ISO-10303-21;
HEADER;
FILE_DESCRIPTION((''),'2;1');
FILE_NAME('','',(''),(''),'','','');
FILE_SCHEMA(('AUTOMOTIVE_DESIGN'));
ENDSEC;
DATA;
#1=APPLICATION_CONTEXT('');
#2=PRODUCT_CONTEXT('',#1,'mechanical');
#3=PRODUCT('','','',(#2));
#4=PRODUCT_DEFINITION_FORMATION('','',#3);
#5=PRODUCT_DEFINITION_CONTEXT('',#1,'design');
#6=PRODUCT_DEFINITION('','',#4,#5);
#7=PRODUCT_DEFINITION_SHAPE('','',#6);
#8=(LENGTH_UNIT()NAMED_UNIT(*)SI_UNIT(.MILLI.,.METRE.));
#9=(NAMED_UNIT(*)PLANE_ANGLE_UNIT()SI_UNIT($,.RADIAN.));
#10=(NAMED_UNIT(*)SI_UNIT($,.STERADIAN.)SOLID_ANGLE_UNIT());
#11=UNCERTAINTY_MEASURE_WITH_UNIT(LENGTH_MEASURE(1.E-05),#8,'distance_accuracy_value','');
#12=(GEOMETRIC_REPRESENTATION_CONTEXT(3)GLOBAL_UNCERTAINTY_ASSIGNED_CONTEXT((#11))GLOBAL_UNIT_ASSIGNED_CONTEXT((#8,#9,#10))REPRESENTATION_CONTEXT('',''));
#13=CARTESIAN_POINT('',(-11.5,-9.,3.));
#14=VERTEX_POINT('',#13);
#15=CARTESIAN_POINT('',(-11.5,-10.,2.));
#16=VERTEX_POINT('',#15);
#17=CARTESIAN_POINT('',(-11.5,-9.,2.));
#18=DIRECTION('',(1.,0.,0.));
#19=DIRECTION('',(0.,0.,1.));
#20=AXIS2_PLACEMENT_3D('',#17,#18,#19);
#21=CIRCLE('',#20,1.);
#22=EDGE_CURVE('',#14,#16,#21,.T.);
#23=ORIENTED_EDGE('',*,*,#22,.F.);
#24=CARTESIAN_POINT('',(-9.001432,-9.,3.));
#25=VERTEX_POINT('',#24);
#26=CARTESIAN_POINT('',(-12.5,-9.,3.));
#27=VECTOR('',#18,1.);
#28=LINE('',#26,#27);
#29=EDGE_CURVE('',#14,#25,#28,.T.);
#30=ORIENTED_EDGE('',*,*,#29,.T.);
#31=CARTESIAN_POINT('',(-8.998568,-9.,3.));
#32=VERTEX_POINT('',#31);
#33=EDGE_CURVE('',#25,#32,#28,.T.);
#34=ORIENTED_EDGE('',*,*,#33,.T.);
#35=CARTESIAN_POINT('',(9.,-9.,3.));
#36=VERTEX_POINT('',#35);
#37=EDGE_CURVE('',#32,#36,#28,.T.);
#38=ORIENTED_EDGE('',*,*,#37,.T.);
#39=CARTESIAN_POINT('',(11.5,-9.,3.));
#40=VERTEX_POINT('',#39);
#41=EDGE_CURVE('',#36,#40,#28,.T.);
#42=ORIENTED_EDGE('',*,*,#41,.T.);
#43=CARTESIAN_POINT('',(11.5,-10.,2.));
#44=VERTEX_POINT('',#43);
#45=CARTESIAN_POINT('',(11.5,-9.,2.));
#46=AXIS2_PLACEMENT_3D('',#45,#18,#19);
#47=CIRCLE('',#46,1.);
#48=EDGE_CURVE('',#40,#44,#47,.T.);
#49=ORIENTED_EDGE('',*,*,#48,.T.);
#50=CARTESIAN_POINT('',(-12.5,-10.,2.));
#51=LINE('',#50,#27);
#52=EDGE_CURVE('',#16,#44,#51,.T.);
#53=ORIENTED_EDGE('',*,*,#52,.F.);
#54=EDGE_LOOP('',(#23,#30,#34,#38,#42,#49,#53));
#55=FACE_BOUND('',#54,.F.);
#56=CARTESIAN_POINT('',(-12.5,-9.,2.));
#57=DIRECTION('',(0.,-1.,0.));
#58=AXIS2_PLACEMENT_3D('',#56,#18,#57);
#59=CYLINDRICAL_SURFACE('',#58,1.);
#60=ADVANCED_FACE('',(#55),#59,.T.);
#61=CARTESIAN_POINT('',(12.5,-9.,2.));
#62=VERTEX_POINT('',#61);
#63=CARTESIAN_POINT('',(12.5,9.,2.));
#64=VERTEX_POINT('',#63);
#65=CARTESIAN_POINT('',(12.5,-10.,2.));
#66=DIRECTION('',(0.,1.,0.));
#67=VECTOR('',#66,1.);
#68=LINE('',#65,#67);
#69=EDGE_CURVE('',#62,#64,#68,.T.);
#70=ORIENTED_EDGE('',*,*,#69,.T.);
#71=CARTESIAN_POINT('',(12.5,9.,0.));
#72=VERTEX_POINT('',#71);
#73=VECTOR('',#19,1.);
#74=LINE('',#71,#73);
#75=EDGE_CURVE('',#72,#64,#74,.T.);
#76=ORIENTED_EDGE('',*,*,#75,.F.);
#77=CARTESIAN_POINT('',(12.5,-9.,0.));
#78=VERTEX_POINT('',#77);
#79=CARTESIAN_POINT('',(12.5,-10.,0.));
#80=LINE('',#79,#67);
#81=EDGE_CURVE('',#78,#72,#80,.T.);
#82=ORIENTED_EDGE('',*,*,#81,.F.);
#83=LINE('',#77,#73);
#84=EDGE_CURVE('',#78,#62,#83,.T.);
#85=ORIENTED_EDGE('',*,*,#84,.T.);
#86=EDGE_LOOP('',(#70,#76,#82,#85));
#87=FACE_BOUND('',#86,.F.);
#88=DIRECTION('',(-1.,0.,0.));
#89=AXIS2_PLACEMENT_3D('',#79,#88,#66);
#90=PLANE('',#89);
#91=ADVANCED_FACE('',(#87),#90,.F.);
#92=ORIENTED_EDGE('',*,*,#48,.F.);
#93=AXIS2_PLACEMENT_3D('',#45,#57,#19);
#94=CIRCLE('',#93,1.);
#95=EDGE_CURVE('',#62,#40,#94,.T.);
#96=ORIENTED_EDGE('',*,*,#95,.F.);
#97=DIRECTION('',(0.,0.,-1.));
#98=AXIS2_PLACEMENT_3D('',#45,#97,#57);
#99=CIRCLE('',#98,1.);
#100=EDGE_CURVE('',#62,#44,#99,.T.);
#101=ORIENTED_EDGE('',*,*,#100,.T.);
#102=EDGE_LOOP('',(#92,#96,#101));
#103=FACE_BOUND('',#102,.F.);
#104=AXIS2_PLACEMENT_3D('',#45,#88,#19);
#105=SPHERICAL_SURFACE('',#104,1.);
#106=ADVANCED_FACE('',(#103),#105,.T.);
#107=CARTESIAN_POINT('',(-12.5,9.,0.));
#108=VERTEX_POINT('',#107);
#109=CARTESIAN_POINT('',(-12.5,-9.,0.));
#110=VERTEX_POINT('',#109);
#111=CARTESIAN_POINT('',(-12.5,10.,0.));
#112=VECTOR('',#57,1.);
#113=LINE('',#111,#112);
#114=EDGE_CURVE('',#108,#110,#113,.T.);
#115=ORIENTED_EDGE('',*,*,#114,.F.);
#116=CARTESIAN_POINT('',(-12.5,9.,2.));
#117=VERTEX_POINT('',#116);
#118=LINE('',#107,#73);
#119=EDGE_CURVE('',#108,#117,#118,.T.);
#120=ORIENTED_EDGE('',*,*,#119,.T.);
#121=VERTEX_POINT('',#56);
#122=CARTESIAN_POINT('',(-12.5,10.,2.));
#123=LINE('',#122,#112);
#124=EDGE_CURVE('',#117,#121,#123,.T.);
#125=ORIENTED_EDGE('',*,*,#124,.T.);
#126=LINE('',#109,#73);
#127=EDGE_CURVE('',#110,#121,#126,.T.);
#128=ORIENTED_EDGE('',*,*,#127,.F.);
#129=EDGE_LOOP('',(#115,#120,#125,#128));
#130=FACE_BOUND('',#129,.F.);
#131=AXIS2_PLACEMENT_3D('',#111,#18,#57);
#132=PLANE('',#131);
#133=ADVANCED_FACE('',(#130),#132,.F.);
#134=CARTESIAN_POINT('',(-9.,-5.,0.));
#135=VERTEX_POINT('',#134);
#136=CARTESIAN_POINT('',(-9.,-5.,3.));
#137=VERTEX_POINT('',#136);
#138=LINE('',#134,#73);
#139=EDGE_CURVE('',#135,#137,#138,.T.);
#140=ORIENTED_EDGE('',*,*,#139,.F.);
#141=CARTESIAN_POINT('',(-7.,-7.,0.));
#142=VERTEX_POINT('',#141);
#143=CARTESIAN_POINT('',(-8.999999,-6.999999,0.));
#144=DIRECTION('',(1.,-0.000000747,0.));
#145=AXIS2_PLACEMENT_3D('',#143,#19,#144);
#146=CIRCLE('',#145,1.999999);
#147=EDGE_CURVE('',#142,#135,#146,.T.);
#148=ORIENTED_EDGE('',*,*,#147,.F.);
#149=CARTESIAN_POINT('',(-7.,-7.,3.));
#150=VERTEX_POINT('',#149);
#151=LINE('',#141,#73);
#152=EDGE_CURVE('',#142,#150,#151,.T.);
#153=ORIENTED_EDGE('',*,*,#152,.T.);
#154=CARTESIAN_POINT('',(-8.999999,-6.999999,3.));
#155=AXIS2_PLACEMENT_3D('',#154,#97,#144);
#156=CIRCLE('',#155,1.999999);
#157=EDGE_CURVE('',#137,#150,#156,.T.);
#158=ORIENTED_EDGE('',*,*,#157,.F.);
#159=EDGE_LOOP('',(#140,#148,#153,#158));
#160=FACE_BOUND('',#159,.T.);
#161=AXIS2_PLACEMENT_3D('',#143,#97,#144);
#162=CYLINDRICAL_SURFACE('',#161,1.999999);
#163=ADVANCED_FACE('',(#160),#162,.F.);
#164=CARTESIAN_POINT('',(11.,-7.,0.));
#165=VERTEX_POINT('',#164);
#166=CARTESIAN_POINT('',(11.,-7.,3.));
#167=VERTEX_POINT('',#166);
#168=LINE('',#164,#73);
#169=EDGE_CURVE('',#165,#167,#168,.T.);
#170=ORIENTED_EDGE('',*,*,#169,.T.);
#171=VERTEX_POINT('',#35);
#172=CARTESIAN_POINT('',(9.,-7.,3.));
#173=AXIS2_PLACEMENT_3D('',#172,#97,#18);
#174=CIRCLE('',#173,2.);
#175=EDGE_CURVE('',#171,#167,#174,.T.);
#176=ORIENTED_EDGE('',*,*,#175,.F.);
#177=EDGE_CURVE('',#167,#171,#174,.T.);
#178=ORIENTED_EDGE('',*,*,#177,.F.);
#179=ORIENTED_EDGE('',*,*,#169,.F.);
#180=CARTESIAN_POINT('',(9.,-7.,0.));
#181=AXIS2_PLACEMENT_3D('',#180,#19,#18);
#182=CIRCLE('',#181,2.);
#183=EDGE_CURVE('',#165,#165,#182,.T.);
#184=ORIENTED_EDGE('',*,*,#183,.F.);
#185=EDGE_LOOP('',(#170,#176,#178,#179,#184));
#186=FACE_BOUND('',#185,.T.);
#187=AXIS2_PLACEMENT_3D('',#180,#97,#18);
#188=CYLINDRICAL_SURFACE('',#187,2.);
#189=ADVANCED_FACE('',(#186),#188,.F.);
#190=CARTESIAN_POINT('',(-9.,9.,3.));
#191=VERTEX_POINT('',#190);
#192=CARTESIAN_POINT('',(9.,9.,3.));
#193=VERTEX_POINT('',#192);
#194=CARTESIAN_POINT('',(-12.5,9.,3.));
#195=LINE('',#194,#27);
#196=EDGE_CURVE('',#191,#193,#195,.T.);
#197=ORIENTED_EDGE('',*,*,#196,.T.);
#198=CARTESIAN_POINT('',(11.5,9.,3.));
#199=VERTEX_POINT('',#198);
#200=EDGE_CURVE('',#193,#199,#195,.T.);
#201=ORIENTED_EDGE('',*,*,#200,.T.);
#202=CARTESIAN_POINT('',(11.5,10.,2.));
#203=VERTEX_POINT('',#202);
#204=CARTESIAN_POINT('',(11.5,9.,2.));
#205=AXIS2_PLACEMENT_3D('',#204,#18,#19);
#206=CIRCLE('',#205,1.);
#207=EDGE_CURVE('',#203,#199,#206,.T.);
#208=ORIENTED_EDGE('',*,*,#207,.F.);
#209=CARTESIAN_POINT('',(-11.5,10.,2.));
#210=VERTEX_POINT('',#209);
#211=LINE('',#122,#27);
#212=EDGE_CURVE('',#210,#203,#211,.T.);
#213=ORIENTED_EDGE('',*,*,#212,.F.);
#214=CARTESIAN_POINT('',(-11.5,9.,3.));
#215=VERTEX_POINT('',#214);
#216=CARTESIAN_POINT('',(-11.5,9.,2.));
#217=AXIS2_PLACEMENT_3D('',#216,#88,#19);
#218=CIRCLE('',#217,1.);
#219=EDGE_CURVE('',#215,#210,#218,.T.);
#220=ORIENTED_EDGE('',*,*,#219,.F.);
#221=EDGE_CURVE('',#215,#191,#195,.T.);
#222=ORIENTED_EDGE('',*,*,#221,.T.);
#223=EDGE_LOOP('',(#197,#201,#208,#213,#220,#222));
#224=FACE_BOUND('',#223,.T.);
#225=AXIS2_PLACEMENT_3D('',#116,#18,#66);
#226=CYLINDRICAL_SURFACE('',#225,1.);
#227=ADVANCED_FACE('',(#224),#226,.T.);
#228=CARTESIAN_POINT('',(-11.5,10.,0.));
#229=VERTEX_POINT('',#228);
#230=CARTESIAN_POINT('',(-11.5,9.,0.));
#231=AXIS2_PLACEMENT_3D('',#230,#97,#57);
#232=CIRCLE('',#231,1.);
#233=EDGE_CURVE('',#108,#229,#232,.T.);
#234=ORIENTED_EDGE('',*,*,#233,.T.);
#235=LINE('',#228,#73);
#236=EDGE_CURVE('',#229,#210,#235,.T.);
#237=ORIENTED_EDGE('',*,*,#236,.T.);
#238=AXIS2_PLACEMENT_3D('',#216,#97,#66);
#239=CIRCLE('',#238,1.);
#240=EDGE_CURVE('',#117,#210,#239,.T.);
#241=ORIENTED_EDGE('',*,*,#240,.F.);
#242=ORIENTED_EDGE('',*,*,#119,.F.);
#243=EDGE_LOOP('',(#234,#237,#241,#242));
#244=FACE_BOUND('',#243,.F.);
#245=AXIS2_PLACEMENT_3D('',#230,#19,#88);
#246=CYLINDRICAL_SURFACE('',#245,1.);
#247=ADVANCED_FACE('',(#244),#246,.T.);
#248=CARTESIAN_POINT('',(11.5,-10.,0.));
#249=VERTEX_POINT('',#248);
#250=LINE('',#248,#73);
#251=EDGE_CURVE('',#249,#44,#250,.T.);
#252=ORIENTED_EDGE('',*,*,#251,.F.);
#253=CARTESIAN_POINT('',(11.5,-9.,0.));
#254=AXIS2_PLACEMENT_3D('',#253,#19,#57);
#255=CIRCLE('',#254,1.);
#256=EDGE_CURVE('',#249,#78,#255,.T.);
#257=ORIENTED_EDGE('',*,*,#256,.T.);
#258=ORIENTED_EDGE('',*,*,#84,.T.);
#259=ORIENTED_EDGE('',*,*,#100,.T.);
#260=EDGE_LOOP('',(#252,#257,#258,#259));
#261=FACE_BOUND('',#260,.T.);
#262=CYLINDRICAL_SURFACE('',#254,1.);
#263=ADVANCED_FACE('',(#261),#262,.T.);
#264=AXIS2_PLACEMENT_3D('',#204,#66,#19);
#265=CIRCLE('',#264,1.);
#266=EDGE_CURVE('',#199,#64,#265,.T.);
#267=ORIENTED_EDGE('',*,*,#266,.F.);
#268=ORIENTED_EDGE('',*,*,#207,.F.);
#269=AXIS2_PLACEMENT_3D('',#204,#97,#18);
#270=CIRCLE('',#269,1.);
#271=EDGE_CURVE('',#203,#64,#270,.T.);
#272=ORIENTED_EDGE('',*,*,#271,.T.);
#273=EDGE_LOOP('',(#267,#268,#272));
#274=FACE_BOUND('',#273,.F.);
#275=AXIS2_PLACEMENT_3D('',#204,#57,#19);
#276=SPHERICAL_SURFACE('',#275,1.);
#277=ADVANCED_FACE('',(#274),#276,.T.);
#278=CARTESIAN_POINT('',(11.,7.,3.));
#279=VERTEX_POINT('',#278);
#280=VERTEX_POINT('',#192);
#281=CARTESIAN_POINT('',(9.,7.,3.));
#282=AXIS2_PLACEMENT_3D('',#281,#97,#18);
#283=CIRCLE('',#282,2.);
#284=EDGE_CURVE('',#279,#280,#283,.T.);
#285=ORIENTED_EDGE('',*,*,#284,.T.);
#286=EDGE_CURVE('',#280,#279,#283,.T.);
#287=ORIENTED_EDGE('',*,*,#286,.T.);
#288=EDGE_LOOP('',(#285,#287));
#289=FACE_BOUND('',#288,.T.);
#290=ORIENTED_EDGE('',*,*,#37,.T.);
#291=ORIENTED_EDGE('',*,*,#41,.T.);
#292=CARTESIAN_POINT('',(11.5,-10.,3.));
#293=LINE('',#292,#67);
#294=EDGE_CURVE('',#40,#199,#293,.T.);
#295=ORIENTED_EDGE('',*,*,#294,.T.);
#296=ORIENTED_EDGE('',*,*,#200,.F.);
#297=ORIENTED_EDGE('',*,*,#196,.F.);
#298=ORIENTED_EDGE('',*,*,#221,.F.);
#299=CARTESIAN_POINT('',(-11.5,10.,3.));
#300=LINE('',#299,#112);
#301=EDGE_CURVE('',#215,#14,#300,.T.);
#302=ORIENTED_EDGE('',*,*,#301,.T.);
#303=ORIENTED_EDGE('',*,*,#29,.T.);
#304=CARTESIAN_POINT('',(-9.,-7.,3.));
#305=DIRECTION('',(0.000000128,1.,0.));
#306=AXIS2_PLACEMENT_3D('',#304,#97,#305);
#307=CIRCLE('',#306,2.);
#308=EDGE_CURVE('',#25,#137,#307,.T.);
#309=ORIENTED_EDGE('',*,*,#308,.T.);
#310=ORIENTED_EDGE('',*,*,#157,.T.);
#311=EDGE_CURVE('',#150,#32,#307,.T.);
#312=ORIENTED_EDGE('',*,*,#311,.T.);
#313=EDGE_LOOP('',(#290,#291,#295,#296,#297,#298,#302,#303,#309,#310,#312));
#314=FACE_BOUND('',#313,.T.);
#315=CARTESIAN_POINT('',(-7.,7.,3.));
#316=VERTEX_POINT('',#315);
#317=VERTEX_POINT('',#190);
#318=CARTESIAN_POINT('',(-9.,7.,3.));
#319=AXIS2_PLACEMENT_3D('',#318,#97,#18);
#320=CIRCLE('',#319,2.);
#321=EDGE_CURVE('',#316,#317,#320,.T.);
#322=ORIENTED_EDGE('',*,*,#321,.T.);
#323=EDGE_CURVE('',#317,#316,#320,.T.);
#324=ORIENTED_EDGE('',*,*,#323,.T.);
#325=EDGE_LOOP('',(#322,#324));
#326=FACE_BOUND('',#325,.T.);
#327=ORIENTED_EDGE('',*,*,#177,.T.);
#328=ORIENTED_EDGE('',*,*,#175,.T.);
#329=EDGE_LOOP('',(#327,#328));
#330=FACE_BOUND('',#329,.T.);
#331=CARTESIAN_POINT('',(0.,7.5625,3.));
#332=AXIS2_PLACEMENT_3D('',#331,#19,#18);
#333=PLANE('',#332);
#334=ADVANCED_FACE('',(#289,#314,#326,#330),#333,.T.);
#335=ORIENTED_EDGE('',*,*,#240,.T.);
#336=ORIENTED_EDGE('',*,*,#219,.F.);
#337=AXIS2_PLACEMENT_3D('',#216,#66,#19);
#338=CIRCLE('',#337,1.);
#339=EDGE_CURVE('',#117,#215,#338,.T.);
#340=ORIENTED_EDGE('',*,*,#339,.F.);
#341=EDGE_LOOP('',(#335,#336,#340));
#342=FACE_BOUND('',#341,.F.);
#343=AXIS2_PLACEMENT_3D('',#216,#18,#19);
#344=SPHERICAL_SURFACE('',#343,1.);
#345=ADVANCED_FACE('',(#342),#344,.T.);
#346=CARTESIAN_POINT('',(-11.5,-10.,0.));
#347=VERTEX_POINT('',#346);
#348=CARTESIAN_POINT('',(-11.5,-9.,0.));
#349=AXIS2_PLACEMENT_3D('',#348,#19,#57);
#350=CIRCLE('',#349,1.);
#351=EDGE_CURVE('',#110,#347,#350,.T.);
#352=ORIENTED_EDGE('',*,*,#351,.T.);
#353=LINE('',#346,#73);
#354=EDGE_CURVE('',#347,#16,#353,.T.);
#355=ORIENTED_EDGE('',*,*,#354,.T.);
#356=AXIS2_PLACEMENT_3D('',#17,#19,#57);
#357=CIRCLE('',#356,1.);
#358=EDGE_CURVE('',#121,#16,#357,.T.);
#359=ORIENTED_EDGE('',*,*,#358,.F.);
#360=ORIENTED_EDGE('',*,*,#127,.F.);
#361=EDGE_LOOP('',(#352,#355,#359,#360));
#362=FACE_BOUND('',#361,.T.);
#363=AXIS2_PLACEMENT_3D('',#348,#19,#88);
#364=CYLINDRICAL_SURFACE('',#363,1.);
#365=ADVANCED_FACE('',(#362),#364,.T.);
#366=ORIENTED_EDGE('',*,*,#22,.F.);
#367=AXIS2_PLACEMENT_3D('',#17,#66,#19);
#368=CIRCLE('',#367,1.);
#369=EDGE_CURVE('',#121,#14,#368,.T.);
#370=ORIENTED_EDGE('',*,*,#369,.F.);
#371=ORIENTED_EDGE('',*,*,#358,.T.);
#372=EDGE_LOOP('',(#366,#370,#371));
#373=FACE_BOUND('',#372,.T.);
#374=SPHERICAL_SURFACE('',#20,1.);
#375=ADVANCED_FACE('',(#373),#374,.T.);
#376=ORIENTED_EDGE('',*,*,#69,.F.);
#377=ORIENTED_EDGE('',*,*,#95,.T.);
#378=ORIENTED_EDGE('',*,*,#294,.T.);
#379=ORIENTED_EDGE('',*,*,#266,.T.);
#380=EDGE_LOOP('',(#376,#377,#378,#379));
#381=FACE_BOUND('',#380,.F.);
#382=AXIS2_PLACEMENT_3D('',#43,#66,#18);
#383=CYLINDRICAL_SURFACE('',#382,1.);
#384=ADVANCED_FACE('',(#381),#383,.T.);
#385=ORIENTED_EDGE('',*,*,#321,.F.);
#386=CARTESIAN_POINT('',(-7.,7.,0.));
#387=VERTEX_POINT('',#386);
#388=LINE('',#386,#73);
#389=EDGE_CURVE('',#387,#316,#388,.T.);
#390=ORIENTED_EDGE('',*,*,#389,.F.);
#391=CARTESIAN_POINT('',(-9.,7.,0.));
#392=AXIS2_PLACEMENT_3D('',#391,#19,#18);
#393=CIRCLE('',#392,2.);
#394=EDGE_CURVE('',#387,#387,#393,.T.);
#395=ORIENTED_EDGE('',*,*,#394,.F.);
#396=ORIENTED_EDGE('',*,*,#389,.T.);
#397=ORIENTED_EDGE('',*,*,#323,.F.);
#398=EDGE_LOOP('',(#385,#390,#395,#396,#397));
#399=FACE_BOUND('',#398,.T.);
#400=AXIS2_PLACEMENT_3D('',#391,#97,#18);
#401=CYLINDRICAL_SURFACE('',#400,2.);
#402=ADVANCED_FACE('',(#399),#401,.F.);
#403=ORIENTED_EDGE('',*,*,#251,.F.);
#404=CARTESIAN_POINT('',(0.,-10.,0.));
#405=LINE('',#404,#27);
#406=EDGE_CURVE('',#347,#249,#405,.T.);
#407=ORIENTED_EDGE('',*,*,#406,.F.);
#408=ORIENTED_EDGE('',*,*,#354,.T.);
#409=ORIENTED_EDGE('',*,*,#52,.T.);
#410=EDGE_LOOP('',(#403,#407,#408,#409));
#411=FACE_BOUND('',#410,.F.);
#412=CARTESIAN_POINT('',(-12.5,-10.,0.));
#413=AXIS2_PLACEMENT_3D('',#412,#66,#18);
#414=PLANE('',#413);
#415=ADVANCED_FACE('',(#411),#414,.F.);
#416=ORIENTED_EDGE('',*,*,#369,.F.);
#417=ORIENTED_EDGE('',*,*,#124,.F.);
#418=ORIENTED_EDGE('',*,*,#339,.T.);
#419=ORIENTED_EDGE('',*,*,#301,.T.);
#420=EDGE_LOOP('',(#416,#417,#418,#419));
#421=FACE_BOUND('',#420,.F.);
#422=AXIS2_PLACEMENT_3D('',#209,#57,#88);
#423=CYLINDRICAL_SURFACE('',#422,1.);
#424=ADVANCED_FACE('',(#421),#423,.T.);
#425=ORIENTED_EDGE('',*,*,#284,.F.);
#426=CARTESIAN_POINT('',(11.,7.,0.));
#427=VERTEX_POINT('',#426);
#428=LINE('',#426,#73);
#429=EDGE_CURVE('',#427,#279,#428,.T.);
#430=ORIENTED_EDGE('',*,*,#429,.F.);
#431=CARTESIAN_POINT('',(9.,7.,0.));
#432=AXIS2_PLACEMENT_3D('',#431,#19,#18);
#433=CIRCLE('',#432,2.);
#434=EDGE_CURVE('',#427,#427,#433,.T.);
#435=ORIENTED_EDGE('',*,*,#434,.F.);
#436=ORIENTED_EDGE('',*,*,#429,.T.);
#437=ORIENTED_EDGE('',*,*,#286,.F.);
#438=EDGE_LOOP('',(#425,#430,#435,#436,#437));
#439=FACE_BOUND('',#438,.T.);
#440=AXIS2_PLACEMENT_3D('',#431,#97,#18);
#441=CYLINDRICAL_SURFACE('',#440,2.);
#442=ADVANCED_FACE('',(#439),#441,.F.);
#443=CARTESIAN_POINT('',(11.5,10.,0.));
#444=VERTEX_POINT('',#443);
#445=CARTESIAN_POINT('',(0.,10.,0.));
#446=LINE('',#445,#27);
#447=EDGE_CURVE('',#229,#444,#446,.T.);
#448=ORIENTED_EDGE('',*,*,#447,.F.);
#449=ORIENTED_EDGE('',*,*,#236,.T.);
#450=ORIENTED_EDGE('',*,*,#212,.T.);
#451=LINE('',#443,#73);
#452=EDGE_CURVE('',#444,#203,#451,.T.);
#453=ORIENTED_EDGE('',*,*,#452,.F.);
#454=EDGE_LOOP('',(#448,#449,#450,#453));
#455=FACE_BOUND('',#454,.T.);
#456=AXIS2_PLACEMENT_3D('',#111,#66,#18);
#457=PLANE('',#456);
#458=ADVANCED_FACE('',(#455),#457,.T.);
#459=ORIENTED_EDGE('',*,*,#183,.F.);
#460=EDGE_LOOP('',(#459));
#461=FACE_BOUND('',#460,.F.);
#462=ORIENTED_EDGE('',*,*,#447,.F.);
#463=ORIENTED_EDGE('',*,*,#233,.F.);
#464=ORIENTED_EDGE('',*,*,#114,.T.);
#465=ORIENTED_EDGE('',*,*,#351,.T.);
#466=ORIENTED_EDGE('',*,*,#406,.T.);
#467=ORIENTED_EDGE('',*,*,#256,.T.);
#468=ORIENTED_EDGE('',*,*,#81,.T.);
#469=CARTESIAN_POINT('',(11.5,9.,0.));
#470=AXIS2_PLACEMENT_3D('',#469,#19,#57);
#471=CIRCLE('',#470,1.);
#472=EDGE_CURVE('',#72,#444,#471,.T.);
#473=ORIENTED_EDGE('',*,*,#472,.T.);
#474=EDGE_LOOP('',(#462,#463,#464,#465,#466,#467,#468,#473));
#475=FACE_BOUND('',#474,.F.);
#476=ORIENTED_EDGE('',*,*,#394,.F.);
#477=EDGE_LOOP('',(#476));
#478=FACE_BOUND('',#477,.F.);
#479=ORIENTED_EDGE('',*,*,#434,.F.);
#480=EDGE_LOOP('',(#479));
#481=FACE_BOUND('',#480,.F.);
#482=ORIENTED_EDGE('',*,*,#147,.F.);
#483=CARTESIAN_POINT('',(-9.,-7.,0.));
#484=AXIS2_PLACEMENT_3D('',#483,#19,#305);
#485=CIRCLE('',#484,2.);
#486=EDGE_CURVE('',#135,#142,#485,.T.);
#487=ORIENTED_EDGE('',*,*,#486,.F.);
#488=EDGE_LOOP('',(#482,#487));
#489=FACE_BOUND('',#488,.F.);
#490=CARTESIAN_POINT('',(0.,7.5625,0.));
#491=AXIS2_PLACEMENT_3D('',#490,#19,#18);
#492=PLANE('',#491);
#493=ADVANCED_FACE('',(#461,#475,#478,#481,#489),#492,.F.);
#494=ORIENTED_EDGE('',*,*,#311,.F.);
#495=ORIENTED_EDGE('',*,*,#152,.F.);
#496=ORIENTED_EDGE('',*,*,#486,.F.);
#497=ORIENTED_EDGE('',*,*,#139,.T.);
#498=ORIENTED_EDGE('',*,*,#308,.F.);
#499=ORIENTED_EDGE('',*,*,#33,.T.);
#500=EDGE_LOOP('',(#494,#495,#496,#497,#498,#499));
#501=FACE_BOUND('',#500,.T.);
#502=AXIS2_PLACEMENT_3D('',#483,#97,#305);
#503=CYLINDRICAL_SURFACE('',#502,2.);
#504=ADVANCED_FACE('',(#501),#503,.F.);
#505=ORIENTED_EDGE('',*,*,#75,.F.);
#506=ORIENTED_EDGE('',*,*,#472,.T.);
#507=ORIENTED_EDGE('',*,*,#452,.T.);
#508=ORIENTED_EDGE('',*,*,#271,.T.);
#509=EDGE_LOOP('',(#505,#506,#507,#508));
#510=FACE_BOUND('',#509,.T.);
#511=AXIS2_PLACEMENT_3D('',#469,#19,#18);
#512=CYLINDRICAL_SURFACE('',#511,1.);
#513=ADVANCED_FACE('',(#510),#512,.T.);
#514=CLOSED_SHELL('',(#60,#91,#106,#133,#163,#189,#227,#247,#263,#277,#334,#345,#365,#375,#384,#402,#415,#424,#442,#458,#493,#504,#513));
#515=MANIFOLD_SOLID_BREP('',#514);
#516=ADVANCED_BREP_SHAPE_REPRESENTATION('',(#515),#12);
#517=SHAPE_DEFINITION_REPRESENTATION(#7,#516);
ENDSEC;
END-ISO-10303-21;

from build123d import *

# Parameters (mm, degrees)
F0_W     = 25
F0_H     = 4.875
F0_H_2   = 10.25
F1_DEPTH = 3
F2_R     = 1
F3_R     = 2
F4_DEPTH = 68


with BuildPart() as f1:
    # F0 (on Top) → F1 (new body)
    with BuildSketch(Plane.XY):
        with Locations((0, 7.5625)):
            Rectangle(F0_W, F0_H)
        with Locations((0, -7.5625)):
            Rectangle(F0_W, F0_H)
        Rectangle(F0_W, F0_H_2)
    extrude(amount=F1_DEPTH)

    # F2
    f2_edges = [f1.edges().sort_by_distance(p)[0] for p in [
        (0, -10, 3),
        (12.5, 0, 3),
        (0, 10, 3),
        (-12.5, 0, 3),
        (12.5, -10, 1.5),
        (-12.5, -10, 1.5),
        (-12.5, 10, 1.5),
        (12.5, 10, 1.5),
    ]]
    fillet(f2_edges, radius=F2_R)

    # F3 (on face) → F4 (cut)
    with BuildSketch(Plane.XY):
        with BuildLine():
            ThreePointArc((-9, -5), (-10.414214, -8.414214), (-7, -7))
            ThreePointArc((-7, -7), (-7.585786, -5.585786), (-9, -5))
        make_face()
        with Locations((9, -7)):
            Circle(F3_R)
        with Locations((9, 7)):
            Circle(F3_R)
        with Locations((-9, 7)):
            Circle(F3_R)
    extrude(amount=F4_DEPTH, mode=Mode.SUBTRACT)


solid = f1.part
